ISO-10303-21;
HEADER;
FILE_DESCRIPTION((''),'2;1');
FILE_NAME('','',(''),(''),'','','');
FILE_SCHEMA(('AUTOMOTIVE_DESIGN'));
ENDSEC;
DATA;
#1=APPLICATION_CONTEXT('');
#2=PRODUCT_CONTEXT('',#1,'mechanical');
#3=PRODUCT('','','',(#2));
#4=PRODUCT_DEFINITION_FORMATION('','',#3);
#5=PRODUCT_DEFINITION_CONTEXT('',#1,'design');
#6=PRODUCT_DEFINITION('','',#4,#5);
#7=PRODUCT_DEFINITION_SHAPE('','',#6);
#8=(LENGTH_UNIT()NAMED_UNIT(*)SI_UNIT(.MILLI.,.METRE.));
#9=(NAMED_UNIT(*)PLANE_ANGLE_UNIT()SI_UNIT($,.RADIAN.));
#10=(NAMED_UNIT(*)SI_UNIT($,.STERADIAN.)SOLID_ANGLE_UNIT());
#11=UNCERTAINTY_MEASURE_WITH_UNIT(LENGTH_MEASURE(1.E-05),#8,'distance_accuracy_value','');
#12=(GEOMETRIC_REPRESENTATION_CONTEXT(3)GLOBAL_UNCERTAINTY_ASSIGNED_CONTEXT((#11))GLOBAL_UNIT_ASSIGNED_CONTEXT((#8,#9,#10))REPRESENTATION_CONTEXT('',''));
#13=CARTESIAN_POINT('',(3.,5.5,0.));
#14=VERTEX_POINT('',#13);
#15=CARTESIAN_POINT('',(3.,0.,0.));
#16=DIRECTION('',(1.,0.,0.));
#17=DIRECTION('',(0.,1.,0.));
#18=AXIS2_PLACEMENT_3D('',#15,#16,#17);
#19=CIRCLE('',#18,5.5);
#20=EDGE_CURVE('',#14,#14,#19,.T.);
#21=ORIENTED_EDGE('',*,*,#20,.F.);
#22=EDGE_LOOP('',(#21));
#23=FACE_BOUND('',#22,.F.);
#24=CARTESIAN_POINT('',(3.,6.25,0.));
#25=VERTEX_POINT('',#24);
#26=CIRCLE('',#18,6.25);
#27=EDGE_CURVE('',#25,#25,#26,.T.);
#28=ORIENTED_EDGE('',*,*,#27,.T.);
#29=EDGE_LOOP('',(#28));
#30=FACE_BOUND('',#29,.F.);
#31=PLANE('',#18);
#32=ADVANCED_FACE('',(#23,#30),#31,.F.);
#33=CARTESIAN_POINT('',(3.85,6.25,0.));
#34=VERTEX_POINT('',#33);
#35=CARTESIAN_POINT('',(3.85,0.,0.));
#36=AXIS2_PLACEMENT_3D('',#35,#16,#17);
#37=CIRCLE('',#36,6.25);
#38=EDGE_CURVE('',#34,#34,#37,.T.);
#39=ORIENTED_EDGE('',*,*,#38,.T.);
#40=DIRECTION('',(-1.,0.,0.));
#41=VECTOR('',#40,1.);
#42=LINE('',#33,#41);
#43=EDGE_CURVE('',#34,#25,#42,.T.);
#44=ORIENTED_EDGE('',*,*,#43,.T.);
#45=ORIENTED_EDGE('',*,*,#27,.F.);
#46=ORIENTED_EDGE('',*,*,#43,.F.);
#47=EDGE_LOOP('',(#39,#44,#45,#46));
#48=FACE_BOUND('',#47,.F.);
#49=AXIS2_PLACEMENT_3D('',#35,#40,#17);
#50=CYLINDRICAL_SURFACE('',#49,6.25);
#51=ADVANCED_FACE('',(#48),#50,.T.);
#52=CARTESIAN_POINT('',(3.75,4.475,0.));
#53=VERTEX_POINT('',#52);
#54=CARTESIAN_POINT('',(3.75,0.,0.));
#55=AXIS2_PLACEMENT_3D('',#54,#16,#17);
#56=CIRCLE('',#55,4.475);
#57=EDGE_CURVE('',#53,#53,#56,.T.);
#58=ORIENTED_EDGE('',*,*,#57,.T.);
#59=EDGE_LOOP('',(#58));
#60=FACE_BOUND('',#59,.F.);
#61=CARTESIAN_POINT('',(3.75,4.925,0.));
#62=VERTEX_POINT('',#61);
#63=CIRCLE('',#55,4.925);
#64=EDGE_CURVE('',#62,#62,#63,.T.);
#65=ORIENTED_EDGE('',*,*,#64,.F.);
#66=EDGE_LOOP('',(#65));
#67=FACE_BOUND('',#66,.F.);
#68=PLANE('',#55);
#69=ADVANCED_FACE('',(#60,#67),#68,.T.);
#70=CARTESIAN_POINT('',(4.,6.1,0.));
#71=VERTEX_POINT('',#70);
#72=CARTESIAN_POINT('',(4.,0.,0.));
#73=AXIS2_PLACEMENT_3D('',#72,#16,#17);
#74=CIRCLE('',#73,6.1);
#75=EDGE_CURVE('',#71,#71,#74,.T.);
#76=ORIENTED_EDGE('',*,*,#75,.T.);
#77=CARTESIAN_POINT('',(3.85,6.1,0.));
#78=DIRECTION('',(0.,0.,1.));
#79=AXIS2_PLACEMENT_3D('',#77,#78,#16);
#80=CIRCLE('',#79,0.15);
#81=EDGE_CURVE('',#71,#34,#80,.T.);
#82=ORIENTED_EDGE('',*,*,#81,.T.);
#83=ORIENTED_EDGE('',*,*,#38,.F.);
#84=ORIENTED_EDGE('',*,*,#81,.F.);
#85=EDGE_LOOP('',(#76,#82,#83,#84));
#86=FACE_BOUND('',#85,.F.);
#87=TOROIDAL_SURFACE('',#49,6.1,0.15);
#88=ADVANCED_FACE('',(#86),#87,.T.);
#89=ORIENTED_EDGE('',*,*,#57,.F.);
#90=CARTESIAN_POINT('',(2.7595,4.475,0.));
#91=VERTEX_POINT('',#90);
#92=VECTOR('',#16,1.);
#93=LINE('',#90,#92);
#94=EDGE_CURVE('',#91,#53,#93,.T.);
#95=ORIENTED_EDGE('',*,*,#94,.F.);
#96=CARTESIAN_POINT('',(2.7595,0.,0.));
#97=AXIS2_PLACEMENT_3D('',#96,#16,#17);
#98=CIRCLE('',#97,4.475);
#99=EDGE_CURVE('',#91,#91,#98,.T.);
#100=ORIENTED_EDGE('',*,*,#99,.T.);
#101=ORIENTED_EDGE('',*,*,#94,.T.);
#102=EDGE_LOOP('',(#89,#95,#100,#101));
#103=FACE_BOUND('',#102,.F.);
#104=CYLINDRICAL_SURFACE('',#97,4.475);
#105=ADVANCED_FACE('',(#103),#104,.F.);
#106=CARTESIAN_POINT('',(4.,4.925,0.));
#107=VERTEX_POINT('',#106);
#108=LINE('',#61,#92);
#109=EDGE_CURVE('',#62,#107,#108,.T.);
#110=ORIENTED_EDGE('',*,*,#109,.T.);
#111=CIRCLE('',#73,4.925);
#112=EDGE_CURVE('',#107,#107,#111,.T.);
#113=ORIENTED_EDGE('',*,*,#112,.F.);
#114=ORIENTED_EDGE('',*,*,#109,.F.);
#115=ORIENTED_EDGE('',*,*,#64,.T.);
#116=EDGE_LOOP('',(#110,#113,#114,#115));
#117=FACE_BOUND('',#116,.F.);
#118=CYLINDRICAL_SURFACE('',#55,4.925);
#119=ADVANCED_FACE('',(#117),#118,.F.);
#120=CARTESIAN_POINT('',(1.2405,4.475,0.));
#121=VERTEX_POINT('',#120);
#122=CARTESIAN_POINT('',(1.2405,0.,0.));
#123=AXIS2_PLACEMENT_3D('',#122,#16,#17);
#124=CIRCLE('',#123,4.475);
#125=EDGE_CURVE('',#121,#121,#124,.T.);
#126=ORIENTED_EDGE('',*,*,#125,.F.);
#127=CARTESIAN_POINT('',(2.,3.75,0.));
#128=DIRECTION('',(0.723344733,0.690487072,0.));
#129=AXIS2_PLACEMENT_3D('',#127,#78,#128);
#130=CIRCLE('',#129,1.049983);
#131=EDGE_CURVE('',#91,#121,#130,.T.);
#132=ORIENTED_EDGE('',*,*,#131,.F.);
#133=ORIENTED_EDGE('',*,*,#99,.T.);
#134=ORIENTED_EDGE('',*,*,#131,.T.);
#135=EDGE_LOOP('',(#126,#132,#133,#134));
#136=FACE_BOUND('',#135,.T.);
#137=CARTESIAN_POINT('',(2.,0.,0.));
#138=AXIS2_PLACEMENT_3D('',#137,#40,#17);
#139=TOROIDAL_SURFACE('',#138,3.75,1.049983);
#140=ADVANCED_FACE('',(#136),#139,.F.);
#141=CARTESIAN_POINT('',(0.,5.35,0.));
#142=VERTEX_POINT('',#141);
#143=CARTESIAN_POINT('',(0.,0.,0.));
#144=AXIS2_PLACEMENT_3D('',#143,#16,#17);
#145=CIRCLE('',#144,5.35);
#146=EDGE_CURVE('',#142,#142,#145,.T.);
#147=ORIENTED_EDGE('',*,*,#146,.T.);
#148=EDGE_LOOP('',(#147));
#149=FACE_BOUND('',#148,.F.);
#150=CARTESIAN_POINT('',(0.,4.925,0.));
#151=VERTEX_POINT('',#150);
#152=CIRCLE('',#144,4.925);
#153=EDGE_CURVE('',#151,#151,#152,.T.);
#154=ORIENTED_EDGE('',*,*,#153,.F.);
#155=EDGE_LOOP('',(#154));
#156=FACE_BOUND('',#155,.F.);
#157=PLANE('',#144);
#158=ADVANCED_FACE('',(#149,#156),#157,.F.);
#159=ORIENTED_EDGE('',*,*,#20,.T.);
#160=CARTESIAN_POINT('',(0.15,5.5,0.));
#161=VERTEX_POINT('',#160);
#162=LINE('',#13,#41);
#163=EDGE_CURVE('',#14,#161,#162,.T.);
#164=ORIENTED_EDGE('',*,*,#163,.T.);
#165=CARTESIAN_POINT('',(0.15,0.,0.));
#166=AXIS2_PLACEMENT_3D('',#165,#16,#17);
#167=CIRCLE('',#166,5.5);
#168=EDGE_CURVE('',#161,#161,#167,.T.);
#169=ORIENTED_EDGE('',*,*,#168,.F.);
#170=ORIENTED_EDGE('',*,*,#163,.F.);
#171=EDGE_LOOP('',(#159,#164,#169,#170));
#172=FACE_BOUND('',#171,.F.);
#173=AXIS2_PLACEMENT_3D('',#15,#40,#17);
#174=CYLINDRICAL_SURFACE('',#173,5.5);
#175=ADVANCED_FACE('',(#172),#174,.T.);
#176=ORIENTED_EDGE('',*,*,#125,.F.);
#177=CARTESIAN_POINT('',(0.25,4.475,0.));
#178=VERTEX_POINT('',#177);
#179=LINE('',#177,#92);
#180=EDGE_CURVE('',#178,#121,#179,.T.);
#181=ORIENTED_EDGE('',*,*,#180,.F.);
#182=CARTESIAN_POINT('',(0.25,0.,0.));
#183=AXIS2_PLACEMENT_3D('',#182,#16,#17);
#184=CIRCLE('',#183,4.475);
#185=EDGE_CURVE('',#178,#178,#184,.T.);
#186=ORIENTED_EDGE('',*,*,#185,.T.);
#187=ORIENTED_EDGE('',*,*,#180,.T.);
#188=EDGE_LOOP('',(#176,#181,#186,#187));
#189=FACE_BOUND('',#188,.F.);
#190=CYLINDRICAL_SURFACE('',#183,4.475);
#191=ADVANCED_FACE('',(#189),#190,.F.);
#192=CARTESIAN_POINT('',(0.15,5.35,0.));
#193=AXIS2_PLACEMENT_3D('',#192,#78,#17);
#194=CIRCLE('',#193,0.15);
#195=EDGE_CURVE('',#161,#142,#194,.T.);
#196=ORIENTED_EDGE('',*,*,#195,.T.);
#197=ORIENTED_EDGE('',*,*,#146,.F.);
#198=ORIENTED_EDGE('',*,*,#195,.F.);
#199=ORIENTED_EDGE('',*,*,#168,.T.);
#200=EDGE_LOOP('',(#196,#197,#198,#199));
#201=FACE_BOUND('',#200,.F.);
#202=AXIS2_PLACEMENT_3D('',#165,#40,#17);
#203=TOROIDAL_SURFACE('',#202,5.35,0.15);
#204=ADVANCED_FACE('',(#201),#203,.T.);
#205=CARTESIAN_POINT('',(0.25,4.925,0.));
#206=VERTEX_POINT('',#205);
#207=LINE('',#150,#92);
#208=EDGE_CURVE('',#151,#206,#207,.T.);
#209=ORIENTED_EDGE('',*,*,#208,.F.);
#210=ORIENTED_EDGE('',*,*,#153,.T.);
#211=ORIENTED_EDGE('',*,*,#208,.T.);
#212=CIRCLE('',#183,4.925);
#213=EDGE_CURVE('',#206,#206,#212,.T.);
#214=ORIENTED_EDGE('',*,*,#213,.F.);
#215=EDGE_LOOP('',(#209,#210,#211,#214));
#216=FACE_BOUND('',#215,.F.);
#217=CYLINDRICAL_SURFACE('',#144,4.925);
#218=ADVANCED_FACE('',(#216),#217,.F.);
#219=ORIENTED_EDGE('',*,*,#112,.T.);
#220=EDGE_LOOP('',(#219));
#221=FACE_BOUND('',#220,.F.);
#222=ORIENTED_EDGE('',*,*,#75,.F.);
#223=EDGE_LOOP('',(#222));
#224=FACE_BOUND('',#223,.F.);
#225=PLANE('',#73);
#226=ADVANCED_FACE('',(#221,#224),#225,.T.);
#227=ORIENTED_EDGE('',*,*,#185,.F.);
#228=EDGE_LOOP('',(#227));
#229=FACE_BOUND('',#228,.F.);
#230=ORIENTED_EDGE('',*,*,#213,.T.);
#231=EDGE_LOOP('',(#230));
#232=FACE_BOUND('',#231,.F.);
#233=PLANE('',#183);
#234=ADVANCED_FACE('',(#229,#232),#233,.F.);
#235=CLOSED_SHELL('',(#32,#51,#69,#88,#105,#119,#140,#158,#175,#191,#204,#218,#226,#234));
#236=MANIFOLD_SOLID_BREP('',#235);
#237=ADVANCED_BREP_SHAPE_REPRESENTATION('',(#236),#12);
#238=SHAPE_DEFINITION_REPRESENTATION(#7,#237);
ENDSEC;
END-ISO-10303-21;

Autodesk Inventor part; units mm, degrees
sketch "Sketch_1" plane through (0, 0, 0) normal (0, 0, 1) x (1, 0, 0)
  line L0 (4, 0) -> (0, 0)
  line L1 (0, 4.925) -> (0.25, 4.925)
  line L2 (0.25, 4.925) -> (0.25, 4.475)
  line L3 (0.25, 4.475) -> (1.2405, 4.475)
  arc A0 (2.7595, 4.475) -> (1.2405, 4.475) centre (2, 3.75) ccw
  line L4 (2.7595, 4.475) -> (3.75, 4.475)
  line L5 (3.75, 4.475) -> (3.75, 4.925)
  line L6 (3.75, 4.925) -> (4, 4.925)
  line L7 (4, 4.925) -> (4, 6.1)
  arc A1 (4, 6.1) -> (3.85, 6.25) centre (3.85, 6.1) ccw
  line L8 (3.85, 6.25) -> (3, 6.25)
  line L9 (3, 6.25) -> (3, 5.5)
  line L10 (3, 5.5) -> (0.15, 5.5)
  arc A2 (0.15, 5.5) -> (0, 5.35) centre (0.15, 5.35) ccw
  line L11 (0, 5.35) -> (0, 4.925)
revolve "Revolution1" add sketch "Sketch_1" angle 360 about axis through (4, 0, 0) along (1, 0, 0)
ref_plane "ip_st_1_XY" through (0, 0, 0) normal (1, 0, 0) x (0, 0, -1)
ref_plane "ip_st_1_YZ" through (0, 0, 0) normal (0, 0, -1) x (0, 1, 0)
ref_plane "ip_st_1_ZX" through (0, 0, 0) normal (0, 1, 0) x (1, 0, 0)
ref_plane "ip_st_2_XY" through (3.75, 0, 0) normal (-1, 0, 0) x (0, 0, -1)
ref_plane "ip_st_2_YZ" through (3.75, 0, 0) normal (0, 0, -1) x (0, -1, 0)
ref_plane "ip_st_2_ZX" through (3.75, 0, 0) normal (0, -1, 0) x (-1, 0, 0)
properties part number "F694ZZ Outer Ring" material "ステンレス鋼 440C"
